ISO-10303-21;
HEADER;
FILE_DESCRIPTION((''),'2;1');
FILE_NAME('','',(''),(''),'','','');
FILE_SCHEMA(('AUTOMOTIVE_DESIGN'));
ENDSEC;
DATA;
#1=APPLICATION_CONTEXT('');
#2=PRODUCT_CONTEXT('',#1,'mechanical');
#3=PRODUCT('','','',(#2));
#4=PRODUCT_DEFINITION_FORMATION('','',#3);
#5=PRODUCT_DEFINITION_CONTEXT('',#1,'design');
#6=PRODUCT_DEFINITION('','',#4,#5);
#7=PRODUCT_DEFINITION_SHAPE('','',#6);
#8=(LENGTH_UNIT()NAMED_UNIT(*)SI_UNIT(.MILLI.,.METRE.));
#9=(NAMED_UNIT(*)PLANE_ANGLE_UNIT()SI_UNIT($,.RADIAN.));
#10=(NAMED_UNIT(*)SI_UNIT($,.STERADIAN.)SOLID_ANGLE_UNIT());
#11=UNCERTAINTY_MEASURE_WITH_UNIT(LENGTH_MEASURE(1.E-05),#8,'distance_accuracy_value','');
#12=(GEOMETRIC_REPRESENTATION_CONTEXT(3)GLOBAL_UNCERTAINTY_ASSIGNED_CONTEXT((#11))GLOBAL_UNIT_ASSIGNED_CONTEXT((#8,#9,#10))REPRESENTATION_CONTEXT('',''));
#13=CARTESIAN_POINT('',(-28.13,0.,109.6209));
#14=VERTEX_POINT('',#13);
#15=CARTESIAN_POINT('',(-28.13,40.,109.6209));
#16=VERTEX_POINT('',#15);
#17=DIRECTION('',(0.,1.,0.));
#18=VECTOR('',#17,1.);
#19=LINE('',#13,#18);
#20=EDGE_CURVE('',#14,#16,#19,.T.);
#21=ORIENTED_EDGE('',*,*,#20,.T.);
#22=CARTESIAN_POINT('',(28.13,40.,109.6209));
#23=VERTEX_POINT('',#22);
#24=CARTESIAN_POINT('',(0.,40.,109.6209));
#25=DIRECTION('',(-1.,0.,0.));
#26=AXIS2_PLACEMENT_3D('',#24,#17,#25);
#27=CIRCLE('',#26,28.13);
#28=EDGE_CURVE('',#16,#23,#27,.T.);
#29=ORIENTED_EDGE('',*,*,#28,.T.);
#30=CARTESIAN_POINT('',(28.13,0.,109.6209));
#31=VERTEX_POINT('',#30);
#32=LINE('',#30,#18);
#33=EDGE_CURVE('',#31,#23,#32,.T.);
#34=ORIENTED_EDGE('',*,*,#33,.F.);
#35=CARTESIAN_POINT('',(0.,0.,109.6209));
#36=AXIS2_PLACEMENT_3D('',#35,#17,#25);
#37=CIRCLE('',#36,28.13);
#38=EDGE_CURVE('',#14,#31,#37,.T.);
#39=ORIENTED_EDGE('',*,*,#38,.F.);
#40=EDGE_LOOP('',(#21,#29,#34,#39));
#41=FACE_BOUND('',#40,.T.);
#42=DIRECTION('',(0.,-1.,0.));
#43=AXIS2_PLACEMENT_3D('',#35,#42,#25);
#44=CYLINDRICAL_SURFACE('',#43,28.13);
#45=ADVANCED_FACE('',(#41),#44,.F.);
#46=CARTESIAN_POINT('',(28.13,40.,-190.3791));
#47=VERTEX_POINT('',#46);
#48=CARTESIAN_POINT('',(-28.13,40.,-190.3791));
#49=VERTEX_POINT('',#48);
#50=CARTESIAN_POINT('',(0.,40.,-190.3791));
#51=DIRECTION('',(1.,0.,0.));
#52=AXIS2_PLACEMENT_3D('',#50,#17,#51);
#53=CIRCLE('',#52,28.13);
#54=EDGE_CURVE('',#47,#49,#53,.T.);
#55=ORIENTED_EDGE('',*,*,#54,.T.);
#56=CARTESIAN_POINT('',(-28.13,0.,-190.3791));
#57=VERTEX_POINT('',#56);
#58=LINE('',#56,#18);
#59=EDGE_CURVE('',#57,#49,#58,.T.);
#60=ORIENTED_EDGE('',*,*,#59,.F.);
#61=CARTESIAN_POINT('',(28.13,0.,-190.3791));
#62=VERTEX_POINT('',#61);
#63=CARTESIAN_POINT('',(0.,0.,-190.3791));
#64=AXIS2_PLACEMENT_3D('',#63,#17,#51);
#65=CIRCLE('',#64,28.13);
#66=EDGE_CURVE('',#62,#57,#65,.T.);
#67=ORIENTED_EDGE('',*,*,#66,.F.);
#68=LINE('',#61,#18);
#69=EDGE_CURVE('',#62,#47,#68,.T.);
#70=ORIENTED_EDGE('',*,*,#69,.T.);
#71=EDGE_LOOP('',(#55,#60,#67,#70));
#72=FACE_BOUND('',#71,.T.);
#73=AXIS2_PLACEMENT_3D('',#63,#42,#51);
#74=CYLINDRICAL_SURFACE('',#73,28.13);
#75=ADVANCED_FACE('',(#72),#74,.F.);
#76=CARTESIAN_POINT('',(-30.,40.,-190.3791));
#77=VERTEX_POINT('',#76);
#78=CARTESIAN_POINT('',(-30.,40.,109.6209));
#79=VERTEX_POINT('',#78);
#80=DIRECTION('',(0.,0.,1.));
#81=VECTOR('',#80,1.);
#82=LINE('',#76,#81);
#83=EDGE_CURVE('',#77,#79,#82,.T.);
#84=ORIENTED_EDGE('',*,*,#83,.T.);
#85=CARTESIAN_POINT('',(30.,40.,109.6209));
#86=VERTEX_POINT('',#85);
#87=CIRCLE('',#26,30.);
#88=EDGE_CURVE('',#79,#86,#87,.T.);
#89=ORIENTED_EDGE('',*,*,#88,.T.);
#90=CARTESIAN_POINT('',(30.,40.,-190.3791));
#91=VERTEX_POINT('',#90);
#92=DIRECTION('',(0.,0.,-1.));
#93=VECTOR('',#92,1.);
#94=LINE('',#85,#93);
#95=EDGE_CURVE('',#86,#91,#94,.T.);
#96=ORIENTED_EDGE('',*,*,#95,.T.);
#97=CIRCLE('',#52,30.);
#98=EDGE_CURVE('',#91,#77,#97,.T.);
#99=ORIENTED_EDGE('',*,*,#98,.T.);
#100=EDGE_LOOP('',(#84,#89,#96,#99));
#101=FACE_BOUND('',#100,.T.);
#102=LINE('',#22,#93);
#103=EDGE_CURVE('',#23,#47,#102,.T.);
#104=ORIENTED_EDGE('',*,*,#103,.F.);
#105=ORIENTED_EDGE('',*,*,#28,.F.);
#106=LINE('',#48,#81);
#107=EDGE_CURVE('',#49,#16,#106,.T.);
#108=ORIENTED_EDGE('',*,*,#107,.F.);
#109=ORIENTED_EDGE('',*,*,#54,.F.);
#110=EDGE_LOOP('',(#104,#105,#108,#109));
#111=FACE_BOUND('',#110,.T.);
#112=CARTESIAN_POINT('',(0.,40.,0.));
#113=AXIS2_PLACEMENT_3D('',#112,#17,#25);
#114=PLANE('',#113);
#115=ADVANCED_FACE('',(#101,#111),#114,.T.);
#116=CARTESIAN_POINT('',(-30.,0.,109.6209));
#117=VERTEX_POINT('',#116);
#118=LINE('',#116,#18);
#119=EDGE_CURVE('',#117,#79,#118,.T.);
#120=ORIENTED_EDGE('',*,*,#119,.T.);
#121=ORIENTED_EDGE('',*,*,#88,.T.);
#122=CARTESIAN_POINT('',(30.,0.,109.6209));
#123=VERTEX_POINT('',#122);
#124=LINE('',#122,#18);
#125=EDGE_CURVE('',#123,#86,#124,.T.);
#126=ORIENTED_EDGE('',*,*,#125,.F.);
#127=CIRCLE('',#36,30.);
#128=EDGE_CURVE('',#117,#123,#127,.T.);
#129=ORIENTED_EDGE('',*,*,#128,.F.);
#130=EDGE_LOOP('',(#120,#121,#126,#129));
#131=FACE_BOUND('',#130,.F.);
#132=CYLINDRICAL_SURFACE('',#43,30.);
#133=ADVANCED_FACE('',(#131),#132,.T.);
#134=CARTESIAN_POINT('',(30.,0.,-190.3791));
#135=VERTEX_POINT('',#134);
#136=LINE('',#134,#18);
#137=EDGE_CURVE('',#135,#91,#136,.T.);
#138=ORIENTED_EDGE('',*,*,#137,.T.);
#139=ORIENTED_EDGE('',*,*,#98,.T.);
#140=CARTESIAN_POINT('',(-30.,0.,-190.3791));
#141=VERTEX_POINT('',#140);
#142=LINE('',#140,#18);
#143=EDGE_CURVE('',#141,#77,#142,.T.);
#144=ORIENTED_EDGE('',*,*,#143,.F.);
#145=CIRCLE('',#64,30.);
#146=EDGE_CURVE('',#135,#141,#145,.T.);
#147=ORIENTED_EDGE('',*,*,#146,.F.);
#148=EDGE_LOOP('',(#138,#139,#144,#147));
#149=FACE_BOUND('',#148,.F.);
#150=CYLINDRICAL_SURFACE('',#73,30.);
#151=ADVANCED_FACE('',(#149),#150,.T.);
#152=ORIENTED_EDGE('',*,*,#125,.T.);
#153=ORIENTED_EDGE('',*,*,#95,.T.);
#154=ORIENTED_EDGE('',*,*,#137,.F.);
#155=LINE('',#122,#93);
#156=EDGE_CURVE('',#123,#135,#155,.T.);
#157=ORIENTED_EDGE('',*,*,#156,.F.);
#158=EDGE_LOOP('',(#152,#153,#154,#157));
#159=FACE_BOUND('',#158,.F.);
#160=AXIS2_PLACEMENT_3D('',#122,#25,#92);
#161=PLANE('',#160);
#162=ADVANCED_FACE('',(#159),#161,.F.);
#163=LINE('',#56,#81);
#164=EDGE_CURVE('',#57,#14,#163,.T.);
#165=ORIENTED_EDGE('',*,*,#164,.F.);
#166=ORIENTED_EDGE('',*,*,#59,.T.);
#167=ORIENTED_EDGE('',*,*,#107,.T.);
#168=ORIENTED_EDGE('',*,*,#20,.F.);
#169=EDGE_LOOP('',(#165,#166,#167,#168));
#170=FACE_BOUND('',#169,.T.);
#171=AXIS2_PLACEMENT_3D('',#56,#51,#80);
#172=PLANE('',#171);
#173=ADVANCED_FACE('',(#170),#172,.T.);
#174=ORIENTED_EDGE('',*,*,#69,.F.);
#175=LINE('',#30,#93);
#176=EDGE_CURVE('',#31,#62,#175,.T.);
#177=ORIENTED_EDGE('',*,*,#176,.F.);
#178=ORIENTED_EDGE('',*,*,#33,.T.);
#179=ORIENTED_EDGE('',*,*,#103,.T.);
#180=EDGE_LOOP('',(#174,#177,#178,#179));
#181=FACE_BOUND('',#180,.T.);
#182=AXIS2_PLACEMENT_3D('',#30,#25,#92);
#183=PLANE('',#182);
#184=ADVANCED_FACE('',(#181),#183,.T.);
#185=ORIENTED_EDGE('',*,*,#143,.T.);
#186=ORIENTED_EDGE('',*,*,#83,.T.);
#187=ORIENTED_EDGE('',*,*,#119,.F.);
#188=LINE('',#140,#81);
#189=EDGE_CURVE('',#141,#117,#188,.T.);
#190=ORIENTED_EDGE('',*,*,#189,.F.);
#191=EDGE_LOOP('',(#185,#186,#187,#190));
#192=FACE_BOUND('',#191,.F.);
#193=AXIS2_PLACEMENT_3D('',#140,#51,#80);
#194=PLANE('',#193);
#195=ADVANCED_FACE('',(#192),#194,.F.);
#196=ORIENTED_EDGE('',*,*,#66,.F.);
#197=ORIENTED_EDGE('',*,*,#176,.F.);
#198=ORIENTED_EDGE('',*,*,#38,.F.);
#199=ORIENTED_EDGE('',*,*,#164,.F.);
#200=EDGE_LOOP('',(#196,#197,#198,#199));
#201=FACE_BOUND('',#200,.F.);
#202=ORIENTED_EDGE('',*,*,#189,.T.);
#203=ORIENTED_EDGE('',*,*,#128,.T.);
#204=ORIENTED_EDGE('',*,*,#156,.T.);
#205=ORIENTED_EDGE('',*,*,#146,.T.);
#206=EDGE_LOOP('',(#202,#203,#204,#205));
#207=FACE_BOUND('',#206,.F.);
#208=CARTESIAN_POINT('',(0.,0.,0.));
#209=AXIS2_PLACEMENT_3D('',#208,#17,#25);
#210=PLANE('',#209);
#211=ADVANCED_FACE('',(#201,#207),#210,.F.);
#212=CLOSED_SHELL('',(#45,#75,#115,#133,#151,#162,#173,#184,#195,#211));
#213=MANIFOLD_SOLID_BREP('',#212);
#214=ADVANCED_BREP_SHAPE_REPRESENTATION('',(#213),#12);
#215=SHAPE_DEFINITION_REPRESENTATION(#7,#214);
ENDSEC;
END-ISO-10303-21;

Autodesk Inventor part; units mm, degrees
ref_plane "YZ Plane" through (0, 0, 0) normal (1, 0, 0) x (0, 1, 0)
ref_plane "XZ Plane" through (0, 0, 0) normal (0, 1, 0) x (-1, 0, 0)
ref_plane "XY Plane" through (0, 0, 0) normal (0, 0, 1) x (1, 0, 0)
sketch "スケッチ1" plane through (0, 0, 0) normal (0, 1, 0) x (-1, 0, 0)
  line L0 (0, 109.6209) -> (0, -190.3791) construction
  line L1 (-30, 109.6209) -> (-30, -190.3791)
  line L2 (30, -190.3791) -> (30, 109.6209)
  arc A0 (30, 109.6209) -> (-30, 109.6209) centre (0, 109.6209) ccw
  arc A1 (-30, -190.3791) -> (30, -190.3791) centre (0, -190.3791) ccw
  line L3 (0, 109.6209) -> (0, -190.3791) construction
  line L4 (-28.13, 109.6209) -> (-28.13, -190.3791)
  line L5 (28.13, -190.3791) -> (28.13, 109.6209)
  arc A2 (28.13, 109.6209) -> (-28.13, 109.6209) centre (0, 109.6209) ccw
  arc A3 (-28.13, -190.3791) -> (28.13, -190.3791) centre (0, -190.3791) ccw
  point P0 (0, 0)
  point P1 (0, -40.3791)
  point P2 (0, -40.3791)
  dimension "d0" = 300
  dimension "d1" = 60
  dimension "d2" = 56.26
extrude "押し出し1" add sketch "スケッチ1" along normal blind 40
equation "\"BendRadius\" = Thickness"
equation "\"BendReliefWidth\" = Thickness"
equation "\"BendReliefDepth\" = 0.5 * Thickness"
equation "\"CornerReliefSize\" = 4 * Thickness"
equation "\"MinimumRemnant\" = 2 * Thickness"
equation "\"TransitionRadius\" = BendRadius"
equation "\"JacobiRadiusSize\" = BendRadius"
equation "\"GapSize\" = Thickness"
equation "\"Thickness\" = 0.5"
properties part number "0nhk"
